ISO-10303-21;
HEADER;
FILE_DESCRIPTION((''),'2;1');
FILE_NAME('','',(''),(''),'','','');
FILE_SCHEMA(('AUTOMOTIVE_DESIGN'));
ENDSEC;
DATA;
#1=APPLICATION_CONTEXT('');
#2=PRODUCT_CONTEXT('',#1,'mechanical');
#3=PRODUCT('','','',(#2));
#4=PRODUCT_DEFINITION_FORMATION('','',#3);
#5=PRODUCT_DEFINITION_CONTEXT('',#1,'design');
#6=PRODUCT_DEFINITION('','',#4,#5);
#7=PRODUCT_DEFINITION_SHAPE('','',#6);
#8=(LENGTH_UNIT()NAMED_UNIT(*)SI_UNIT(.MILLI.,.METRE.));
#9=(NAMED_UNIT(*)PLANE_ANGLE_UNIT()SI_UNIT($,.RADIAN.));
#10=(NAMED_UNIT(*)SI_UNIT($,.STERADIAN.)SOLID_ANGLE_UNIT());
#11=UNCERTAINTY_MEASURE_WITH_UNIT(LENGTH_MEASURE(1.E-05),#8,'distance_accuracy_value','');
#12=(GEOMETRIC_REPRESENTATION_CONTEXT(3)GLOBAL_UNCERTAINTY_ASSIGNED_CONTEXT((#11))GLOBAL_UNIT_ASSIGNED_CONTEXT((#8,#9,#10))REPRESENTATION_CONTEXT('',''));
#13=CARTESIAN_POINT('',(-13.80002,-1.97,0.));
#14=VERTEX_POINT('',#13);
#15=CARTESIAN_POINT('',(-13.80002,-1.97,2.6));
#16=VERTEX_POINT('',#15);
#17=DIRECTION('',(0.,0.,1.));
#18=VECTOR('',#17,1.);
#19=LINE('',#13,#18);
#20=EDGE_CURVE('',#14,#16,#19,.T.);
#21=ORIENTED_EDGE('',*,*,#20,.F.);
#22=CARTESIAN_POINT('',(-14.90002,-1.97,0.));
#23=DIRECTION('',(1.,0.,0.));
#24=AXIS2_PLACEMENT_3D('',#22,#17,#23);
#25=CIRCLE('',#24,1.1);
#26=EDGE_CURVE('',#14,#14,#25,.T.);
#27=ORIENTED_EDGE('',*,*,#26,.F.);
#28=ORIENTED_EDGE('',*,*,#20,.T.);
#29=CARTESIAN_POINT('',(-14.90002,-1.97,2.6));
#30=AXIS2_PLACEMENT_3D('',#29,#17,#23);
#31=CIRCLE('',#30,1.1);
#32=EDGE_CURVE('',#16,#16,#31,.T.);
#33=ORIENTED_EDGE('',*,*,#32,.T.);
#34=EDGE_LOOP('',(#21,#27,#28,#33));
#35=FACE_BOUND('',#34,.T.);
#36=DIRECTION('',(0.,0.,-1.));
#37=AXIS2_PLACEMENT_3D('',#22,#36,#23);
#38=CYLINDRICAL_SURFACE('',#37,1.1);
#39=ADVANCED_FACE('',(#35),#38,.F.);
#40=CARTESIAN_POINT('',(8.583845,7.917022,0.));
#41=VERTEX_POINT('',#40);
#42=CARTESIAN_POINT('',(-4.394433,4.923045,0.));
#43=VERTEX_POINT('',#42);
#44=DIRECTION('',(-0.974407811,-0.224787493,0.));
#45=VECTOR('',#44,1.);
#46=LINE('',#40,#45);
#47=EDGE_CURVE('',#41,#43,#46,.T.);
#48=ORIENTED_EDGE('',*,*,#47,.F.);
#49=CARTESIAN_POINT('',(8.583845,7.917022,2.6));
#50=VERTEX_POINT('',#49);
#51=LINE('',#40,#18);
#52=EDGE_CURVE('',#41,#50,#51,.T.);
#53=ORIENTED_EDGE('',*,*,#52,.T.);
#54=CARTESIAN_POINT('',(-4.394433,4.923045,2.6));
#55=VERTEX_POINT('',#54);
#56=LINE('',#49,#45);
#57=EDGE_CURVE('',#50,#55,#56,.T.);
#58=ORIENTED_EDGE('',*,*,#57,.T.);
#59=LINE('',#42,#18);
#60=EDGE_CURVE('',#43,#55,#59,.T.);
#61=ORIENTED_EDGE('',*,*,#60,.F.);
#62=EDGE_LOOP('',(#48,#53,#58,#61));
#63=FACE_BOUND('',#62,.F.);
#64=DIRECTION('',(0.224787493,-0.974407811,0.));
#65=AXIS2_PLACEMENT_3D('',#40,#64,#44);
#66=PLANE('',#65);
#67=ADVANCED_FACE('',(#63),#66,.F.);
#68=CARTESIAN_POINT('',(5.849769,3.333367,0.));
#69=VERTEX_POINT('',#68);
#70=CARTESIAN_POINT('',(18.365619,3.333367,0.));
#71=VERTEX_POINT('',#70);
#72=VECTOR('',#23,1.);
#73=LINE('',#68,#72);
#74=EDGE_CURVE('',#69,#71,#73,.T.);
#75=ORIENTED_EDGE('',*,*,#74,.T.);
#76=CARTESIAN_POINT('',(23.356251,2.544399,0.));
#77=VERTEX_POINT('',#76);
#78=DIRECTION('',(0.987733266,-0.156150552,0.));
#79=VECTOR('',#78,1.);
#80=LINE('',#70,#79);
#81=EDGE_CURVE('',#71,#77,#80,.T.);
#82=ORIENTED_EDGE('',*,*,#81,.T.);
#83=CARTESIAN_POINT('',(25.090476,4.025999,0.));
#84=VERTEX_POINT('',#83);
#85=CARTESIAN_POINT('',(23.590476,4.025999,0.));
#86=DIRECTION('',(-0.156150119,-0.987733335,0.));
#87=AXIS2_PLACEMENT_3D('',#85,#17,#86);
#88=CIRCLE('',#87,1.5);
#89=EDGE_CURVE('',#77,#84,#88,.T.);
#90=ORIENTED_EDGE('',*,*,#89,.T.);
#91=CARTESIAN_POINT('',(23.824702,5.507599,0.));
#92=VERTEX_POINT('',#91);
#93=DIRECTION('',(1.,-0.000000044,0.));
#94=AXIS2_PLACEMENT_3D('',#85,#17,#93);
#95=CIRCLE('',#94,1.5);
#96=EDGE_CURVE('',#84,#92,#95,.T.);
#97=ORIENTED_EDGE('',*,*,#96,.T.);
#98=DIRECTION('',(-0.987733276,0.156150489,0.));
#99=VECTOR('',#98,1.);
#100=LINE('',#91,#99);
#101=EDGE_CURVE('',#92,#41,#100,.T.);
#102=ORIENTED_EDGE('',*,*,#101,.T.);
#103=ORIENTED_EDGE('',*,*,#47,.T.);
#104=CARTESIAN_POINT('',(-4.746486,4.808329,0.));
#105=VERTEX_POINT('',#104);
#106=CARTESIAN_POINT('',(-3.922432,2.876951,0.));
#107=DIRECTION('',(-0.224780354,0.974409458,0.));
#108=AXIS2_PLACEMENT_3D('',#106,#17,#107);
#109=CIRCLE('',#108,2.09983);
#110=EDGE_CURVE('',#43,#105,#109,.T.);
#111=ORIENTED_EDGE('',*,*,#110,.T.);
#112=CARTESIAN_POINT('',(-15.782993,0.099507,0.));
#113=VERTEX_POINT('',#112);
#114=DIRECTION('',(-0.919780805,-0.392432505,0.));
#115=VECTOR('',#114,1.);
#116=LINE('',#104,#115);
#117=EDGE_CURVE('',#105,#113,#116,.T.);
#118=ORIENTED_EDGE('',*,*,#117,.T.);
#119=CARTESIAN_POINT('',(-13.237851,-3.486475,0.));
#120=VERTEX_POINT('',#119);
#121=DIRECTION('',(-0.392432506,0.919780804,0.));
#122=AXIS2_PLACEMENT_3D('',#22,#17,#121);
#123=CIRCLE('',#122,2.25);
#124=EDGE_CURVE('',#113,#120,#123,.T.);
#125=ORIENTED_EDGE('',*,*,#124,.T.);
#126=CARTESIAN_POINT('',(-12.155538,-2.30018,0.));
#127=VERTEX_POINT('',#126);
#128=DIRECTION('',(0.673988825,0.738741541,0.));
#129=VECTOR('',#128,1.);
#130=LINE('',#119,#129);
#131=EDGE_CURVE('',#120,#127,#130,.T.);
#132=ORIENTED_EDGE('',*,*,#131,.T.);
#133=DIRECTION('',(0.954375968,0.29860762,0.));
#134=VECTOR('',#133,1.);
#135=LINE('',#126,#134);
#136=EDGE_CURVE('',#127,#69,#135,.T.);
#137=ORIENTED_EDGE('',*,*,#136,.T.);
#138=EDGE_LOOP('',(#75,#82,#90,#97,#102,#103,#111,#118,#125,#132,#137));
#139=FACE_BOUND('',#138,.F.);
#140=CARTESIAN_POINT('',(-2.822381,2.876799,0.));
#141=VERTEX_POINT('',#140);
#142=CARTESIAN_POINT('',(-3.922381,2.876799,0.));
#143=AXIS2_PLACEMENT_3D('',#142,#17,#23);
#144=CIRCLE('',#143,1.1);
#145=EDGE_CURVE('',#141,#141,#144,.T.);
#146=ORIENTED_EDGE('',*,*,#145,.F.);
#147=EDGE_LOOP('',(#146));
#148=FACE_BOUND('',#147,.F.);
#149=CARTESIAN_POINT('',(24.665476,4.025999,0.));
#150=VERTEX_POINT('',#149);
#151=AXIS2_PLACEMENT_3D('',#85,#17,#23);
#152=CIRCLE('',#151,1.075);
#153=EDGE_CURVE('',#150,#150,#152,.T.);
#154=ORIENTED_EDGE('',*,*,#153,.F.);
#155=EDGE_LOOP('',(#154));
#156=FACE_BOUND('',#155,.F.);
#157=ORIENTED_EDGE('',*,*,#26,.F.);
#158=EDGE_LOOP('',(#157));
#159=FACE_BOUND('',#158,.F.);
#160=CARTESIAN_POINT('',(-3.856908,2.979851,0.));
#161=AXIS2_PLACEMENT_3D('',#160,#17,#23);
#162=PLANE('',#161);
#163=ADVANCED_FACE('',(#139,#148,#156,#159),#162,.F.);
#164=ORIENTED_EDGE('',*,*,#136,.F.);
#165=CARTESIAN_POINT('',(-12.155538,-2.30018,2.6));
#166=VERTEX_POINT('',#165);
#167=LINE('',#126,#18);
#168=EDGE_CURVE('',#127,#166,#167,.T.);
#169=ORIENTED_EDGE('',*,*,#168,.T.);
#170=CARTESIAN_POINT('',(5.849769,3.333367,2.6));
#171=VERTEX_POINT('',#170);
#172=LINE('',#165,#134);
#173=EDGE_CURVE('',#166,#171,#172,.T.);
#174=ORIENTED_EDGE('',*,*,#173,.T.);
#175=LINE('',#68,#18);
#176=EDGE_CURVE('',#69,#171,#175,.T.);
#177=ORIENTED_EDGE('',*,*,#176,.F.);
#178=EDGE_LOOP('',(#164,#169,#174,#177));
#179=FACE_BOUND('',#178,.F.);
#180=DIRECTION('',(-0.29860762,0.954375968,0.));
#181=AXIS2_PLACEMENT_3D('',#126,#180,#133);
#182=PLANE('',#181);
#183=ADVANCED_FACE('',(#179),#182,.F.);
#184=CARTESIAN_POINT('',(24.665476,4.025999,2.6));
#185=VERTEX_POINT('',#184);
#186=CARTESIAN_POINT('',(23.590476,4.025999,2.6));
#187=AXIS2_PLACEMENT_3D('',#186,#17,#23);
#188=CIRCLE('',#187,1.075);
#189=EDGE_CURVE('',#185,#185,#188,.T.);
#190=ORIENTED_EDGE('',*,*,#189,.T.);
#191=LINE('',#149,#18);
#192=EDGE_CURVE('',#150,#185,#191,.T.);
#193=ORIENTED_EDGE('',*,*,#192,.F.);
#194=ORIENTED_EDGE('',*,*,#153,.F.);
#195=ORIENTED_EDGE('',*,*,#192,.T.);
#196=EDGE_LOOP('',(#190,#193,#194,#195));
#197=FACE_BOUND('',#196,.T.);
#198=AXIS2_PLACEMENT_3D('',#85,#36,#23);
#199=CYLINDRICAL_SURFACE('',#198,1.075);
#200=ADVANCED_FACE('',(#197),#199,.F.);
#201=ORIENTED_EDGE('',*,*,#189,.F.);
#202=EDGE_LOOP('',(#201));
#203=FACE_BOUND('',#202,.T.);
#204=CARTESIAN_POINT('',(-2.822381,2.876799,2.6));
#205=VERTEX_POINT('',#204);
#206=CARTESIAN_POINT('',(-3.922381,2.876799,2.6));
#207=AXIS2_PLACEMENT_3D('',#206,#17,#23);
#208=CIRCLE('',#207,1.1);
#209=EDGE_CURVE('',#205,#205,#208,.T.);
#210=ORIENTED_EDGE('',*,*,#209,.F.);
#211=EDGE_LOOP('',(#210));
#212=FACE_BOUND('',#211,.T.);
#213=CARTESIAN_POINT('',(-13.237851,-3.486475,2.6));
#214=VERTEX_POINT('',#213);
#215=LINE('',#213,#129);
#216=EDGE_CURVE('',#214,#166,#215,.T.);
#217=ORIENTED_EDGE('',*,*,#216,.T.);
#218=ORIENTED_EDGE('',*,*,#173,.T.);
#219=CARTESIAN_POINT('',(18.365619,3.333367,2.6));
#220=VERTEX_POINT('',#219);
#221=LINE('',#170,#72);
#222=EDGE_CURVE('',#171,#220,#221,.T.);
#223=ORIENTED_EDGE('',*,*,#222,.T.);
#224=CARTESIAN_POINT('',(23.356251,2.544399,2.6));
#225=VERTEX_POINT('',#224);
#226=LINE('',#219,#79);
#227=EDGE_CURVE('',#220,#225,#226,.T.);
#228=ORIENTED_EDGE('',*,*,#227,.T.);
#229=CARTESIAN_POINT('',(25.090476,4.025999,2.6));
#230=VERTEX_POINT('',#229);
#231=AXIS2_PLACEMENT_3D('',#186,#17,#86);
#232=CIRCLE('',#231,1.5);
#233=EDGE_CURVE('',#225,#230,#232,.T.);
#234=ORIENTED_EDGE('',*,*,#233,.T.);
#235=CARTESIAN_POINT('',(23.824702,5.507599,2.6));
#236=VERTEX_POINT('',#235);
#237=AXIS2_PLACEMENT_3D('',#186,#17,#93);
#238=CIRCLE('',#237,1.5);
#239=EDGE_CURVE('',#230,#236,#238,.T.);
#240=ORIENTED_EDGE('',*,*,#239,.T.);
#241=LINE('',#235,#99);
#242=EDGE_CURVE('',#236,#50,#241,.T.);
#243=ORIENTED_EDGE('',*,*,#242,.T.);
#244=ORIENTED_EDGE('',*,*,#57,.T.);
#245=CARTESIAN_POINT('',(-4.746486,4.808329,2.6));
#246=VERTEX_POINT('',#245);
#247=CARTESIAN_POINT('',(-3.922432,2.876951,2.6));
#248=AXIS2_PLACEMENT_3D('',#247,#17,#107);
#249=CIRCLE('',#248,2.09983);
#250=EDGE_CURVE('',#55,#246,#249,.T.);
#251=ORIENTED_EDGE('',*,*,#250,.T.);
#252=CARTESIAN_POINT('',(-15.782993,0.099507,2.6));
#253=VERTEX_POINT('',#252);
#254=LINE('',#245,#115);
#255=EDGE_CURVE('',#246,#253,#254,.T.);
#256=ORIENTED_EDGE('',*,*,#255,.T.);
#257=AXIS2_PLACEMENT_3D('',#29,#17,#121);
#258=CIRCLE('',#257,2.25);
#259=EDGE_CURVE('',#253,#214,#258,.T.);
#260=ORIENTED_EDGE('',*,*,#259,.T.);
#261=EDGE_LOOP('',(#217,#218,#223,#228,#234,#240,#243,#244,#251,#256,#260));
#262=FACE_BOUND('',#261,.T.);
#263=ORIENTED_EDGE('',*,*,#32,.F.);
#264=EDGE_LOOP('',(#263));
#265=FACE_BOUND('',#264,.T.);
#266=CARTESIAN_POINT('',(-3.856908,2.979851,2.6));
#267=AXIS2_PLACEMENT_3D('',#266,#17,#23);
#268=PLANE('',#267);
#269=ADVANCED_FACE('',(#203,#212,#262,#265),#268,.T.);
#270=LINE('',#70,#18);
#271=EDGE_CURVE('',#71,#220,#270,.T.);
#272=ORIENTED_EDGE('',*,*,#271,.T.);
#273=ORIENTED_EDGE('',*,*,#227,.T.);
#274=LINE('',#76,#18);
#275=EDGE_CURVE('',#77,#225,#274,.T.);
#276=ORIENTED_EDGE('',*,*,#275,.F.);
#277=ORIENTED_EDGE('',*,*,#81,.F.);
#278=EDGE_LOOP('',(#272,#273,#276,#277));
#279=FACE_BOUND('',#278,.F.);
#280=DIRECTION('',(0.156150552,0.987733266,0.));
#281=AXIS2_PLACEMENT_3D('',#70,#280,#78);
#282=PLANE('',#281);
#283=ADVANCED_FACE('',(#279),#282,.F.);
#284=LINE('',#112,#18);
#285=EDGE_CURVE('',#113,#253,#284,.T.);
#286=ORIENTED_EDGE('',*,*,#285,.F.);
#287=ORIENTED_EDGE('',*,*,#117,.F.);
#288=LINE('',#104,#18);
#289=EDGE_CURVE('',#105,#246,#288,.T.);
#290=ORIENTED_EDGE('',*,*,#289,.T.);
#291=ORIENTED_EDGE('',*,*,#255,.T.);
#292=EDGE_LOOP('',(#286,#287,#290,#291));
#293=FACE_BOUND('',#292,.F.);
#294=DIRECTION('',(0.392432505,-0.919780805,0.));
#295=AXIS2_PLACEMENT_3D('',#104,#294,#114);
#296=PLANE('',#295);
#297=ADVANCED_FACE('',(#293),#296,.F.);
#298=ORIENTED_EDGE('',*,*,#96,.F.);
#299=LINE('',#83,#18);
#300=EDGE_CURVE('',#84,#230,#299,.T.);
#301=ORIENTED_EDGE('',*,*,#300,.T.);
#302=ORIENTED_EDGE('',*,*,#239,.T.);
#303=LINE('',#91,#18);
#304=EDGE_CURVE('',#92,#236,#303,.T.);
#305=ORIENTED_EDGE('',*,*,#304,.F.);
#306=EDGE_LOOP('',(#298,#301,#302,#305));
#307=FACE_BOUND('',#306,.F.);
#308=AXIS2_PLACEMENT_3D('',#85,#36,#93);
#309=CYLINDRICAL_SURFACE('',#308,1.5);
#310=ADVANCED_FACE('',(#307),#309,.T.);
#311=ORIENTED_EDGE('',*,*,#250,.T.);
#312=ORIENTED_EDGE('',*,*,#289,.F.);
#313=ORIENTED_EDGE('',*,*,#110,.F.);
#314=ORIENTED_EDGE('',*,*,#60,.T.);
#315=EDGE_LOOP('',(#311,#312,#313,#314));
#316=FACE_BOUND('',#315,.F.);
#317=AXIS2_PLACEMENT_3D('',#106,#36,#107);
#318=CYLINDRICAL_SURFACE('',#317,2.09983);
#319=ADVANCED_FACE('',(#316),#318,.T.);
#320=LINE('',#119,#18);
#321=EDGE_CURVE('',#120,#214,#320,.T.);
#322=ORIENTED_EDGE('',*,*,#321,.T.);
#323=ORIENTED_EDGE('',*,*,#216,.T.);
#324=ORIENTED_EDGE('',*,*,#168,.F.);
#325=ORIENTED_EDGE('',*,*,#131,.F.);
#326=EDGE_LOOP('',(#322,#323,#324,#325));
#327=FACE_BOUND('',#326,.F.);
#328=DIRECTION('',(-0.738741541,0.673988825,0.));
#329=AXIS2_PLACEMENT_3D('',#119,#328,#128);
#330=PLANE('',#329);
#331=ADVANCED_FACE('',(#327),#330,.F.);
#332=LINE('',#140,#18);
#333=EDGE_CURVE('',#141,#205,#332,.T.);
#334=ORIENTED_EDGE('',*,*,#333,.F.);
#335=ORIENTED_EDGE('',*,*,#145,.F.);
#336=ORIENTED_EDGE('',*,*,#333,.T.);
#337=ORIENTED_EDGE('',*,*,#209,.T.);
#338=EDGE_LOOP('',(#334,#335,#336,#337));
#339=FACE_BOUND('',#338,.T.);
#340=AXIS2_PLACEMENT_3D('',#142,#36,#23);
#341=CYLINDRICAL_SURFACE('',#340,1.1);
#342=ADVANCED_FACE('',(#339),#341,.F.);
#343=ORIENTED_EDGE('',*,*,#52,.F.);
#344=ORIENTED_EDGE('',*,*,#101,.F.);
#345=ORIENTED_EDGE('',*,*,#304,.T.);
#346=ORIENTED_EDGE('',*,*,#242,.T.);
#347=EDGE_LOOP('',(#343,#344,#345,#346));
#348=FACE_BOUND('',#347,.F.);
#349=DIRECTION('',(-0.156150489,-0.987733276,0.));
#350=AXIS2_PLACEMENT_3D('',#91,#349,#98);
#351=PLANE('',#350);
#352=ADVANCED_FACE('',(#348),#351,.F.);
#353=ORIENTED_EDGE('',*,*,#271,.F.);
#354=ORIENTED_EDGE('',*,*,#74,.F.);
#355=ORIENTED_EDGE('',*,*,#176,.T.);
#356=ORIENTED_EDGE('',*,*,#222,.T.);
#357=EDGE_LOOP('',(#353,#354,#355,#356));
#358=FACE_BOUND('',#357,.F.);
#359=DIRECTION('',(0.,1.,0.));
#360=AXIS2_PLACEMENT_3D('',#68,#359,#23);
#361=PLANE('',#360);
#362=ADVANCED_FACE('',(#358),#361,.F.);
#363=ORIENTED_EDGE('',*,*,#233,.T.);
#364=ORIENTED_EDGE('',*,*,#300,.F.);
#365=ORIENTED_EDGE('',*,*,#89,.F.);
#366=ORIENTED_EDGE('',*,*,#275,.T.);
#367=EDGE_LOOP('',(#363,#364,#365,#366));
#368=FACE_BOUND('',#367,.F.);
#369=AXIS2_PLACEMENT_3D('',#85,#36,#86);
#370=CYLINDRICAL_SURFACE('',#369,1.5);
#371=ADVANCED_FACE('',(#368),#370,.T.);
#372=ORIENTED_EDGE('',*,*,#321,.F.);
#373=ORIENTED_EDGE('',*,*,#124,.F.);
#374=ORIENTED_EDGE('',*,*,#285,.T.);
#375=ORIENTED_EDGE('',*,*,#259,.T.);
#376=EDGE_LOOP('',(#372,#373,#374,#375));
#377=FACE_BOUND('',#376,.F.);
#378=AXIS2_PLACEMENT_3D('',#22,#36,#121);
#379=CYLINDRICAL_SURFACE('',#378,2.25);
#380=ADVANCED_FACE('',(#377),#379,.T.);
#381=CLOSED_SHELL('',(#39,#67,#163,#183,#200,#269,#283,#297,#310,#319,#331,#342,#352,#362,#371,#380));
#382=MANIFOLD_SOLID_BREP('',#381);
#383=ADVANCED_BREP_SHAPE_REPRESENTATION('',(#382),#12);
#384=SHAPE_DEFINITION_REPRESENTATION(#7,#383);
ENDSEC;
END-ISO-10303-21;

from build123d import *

# Parameters (mm, degrees)
F0_R     = 1.1
F0_R_2   = 1.075
F1_DEPTH = 2.6


with BuildPart() as f1:
    # F0 (on Top) → F1 (new body)
    with BuildSketch(Plane.XY):
        with BuildLine():
            ThreePointArc((-4.746486, 4.808329), (-5.079824, 1.124576), (-1.822392, 2.876799))
            ThreePointArc((-1.822392, 2.876799), (-2.614969, 4.520158), (-4.394433, 4.923045))
            ThreePointArc((-4.394433, 4.923045), (-4.572993, 4.873462), (-4.746486, 4.808329))
        make_face()
        with Locations((-3.922381, 2.876799)):
            Circle(F0_R, mode=Mode.SUBTRACT)
        with BuildLine():
            ThreePointArc((-4.394433, 4.923045), (-2.614969, 4.520158), (-1.822392, 2.876799))
            ThreePointArc((-1.822392, 2.876799), (-5.079824, 1.124576), (-4.746486, 4.808329))
            Line((-4.746486, 4.808329), (-15.782993, 0.099507))
            ThreePointArc((-15.782993, 0.099507), (-13.659897, -0.09261), (-12.65002, -1.97))
            ThreePointArc((-12.65002, -1.97), (-12.802118, -2.78321), (-13.237851, -3.486475))
            Line((-13.237851, -3.486475), (-12.155538, -2.30018))
            Line((-12.155538, -2.30018), (5.849769, 3.333367))
            Line((5.849769, 3.333367), (18.365619, 3.333367))
            Line((18.365619, 3.333367), (23.356251, 2.544399))
            ThreePointArc((23.356251, 2.544399), (22.108876, 4.260224), (23.824702, 5.507599))
            Line((23.824702, 5.507599), (8.583845, 7.917022))
            Line((8.583845, 7.917022), (-4.394433, 4.923045))
        make_face()
        with BuildLine():
            ThreePointArc((-12.65002, -1.97), (-13.659897, -0.09261), (-15.782993, 0.099507))
            ThreePointArc((-15.782993, 0.099507), (-16.73485, -3.272267), (-13.237851, -3.486475))
            ThreePointArc((-13.237851, -3.486475), (-12.802118, -2.78321), (-12.65002, -1.97))
        make_face()
        with Locations((-14.90002, -1.97)):
            Circle(F0_R, mode=Mode.SUBTRACT)
        with BuildLine():
            ThreePointArc((25.090476, 4.025999), (24.730945, 5.000335), (23.824702, 5.507599))
            ThreePointArc((23.824702, 5.507599), (22.108876, 4.260224), (23.356251, 2.544399))
            ThreePointArc((23.356251, 2.544399), (24.564812, 2.88553), (25.090476, 4.025999))
        make_face()
        with Locations((23.590476, 4.025999)):
            Circle(F0_R_2, mode=Mode.SUBTRACT)
    extrude(amount=F1_DEPTH)


solid = f1.part
